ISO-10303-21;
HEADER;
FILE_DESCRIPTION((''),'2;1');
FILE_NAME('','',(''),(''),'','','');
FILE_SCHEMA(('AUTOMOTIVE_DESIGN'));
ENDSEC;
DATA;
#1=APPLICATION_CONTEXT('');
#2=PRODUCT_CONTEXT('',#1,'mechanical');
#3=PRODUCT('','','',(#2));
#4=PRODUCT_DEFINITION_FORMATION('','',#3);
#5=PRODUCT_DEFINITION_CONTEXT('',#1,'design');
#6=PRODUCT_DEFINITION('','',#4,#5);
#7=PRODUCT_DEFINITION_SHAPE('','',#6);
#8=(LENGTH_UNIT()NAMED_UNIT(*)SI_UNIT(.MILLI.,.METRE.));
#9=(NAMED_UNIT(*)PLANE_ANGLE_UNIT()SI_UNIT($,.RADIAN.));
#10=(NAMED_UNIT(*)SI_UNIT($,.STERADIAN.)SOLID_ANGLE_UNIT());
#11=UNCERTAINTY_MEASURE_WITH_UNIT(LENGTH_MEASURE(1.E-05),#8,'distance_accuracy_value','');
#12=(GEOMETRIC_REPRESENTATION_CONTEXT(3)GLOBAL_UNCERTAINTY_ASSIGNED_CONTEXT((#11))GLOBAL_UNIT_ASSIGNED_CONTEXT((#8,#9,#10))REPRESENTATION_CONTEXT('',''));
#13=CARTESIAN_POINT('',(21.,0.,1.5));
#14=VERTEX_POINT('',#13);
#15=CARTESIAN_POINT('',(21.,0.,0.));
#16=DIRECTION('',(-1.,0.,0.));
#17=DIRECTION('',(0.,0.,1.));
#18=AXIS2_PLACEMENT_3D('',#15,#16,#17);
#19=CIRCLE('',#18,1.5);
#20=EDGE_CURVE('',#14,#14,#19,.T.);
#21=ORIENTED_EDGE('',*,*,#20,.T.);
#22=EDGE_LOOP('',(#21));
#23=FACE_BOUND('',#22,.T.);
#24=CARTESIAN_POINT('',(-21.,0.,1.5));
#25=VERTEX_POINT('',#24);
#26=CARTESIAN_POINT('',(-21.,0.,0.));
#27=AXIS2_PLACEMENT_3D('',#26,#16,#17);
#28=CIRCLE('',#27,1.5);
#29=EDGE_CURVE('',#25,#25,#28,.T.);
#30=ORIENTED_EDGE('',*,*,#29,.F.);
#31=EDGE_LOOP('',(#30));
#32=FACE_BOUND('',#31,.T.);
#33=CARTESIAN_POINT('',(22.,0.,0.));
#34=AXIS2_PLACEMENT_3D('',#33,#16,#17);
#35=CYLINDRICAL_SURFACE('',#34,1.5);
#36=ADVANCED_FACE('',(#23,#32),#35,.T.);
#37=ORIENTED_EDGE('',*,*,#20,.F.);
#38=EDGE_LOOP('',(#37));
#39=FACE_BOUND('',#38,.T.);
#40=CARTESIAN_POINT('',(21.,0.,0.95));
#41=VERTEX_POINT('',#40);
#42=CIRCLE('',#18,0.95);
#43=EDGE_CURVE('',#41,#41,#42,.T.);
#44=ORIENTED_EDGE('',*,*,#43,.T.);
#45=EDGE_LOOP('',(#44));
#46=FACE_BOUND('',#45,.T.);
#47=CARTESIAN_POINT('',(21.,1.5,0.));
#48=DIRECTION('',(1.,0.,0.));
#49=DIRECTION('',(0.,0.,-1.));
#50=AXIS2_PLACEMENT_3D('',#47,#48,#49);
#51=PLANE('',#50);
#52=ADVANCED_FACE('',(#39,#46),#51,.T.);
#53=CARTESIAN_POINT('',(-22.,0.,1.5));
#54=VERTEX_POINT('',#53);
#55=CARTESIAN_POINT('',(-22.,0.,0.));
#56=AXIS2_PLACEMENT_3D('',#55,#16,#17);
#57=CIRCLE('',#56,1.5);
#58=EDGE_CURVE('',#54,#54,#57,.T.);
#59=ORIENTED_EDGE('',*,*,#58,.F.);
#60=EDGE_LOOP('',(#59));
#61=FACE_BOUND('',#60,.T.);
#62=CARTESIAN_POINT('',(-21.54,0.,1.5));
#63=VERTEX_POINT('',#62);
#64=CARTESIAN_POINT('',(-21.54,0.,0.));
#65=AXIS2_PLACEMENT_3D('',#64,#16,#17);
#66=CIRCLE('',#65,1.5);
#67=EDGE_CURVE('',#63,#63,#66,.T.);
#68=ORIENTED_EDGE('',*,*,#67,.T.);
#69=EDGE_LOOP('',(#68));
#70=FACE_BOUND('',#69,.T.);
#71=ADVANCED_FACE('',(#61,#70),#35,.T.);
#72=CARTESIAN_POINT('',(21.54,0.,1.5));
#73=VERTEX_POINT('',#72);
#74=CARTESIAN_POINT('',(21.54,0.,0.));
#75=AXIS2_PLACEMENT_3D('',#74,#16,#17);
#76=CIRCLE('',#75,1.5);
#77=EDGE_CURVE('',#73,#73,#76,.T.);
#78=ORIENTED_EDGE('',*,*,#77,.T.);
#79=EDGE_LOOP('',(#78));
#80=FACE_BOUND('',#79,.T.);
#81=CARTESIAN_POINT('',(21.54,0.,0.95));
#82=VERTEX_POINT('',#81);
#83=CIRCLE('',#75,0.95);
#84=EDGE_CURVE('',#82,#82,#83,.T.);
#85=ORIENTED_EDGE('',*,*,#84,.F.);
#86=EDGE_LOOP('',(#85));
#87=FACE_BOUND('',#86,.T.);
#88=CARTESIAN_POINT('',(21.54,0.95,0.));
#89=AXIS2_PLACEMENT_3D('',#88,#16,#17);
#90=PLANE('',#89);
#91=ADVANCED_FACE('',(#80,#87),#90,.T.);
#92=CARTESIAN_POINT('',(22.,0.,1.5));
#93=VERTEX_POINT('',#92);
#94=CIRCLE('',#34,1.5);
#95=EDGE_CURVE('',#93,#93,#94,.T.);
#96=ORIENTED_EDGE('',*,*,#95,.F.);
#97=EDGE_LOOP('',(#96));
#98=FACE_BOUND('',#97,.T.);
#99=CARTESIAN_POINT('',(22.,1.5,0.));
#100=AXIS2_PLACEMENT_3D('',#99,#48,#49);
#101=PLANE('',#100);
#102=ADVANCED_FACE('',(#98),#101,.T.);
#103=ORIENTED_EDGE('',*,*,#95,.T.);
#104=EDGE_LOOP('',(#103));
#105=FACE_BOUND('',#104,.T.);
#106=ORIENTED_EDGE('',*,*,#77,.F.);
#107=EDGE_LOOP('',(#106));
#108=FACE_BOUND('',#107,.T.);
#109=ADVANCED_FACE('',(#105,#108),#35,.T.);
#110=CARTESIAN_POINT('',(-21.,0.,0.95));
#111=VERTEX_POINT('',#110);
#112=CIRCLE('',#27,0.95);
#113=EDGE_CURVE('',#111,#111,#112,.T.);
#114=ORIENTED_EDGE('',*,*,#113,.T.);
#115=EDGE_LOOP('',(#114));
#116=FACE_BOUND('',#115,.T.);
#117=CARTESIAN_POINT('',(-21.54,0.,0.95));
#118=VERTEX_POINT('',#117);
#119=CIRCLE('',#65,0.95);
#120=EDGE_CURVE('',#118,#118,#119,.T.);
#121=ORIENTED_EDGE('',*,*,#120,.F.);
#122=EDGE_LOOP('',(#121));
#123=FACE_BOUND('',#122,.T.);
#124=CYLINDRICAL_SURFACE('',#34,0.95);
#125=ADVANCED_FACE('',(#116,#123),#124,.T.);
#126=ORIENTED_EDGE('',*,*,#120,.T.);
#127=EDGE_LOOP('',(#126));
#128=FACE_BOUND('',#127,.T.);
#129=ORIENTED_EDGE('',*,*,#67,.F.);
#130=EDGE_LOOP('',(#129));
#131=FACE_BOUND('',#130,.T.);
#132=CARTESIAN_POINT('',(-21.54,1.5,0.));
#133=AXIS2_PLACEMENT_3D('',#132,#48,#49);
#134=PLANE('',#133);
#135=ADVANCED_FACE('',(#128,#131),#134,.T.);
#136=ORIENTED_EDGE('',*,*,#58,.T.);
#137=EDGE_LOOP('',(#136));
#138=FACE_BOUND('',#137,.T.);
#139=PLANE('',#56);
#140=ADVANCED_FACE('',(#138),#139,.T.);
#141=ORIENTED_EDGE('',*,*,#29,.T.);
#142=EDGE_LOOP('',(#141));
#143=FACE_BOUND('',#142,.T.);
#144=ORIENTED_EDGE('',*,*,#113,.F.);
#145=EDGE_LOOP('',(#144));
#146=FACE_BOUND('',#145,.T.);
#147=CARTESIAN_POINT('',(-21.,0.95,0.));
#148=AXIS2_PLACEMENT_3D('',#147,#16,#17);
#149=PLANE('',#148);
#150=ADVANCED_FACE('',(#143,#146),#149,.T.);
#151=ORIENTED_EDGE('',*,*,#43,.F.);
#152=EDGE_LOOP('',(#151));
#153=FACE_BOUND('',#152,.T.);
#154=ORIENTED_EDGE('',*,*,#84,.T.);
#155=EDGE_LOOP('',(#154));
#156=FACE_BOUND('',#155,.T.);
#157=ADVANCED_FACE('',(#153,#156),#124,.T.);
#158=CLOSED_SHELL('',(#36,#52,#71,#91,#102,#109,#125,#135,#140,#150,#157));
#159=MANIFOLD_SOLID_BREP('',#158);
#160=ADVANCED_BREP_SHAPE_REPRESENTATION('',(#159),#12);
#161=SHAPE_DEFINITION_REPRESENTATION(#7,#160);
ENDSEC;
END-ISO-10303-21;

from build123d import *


with BuildPart() as part:
    # Sketch1 → Revolve1 (revolve)
    with BuildSketch(Plane(origin=(0, 0, 0), x_dir=(-1, 0, 0), z_dir=(0, 0, -1)), mode=Mode.PRIVATE) as revolve1_sk:
        Polygon((-22, 1.5), (-22, 0), (22, 0), (22, 1.5), (21.54, 1.5), (21.54, 0.95), (21, 0.95), (21, 1.5), (-21, 1.5), (-21, 0.95), (-21.54, 0.95), (-21.54, 1.5), align=None)
    revolve(revolve1_sk.sketch.rotate(Axis((22, 0, 0), (-1, 0, 0)), 270), axis=Axis((22, 0, 0), (-1, 0, 0)))


solid = part.part
